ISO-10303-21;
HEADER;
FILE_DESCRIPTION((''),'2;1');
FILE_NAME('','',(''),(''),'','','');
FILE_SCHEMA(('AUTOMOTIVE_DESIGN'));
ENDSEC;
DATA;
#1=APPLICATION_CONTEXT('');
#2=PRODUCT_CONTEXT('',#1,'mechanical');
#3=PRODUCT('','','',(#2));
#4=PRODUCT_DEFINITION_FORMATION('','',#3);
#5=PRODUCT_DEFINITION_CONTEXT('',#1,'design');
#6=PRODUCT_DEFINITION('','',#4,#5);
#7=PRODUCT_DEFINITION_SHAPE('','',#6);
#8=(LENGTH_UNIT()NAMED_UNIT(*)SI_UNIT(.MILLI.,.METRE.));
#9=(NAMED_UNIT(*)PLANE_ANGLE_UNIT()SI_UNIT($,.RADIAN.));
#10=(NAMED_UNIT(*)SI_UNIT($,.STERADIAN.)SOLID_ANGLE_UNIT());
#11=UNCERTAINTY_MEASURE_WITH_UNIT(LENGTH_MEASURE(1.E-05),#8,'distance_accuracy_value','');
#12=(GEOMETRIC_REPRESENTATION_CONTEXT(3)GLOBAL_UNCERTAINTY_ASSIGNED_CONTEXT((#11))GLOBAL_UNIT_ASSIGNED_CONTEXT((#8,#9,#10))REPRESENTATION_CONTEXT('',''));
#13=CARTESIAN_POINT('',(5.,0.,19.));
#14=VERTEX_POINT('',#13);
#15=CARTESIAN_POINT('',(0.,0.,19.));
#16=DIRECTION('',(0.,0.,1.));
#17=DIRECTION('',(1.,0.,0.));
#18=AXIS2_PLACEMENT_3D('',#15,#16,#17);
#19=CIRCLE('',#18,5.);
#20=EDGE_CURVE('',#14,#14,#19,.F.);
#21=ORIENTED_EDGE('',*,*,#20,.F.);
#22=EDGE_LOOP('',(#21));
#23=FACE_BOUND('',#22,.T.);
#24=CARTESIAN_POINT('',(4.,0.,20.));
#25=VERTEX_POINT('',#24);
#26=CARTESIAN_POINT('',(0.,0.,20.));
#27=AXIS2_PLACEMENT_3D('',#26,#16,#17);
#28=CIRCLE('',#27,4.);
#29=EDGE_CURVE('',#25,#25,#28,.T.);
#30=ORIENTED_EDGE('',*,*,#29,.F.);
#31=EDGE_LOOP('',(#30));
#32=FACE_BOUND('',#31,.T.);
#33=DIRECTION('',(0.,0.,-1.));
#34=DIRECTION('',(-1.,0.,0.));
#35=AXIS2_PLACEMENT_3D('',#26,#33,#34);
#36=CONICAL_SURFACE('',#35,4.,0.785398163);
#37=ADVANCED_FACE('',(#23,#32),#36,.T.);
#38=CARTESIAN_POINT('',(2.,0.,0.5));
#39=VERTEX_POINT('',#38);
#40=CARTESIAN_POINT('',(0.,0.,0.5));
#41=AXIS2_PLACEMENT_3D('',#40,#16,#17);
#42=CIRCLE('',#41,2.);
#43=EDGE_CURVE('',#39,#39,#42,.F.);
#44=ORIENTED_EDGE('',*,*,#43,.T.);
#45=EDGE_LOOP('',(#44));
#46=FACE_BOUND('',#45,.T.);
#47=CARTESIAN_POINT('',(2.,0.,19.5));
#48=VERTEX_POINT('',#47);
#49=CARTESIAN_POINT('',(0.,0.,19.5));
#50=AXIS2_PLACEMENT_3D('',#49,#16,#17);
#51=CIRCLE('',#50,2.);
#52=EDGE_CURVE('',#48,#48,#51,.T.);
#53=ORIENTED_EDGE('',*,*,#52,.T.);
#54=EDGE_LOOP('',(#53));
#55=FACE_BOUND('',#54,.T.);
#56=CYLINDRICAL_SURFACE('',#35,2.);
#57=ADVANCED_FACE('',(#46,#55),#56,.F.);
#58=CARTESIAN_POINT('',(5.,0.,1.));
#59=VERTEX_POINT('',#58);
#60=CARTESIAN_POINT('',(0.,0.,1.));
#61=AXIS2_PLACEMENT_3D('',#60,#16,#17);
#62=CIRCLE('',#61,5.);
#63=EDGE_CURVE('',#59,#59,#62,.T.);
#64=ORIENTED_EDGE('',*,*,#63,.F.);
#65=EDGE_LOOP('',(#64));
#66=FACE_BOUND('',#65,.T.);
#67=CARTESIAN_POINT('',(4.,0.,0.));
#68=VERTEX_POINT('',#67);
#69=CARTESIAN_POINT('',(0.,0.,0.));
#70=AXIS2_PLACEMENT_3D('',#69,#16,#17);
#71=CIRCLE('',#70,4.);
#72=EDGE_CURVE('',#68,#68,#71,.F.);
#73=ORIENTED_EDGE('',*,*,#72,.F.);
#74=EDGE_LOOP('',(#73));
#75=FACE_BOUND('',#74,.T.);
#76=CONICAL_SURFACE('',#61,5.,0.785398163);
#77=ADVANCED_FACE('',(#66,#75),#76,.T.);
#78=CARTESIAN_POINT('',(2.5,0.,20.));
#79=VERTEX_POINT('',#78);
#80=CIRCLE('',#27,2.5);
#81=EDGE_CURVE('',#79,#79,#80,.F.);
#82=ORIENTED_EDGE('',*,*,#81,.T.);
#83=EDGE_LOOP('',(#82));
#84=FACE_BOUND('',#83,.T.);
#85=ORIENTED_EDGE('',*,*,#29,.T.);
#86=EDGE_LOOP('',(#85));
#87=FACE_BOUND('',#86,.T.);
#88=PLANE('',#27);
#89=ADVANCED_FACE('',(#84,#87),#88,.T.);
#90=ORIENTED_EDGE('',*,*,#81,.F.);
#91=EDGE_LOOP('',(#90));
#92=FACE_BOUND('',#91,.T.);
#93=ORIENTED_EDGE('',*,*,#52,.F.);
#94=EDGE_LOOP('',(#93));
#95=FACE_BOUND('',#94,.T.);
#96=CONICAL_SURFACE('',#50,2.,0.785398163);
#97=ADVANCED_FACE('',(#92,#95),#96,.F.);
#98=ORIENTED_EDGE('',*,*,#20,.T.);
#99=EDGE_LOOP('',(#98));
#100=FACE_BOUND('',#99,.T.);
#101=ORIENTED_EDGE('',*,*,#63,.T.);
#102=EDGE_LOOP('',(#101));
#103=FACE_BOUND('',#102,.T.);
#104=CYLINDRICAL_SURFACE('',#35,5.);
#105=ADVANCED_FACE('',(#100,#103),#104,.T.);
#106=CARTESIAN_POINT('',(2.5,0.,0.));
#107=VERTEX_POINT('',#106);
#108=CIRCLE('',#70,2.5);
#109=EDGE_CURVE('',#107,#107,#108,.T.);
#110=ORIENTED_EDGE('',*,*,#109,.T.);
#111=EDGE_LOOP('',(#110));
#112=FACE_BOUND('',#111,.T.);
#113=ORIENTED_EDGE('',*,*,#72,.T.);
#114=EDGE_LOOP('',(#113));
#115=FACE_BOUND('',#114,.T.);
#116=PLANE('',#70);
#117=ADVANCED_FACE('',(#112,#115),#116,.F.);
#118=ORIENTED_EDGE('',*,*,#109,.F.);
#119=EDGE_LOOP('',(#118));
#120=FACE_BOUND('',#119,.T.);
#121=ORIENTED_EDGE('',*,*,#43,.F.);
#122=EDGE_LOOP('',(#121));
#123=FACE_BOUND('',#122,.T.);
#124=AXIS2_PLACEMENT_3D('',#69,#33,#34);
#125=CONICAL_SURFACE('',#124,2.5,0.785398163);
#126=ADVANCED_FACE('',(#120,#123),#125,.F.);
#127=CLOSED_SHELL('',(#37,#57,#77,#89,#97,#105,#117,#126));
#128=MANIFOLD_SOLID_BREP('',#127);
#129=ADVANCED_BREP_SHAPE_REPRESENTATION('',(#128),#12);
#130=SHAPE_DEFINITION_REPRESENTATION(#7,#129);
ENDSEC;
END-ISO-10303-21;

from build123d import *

# Parameters (mm, degrees)
ESQUISSE1_R          = 5
ESQUISSE1_R_2        = 2
BASE_EXTRUSION_DEPTH = 20
CHANFREIN1_SIZE      = 1
CHANFREIN2_SIZE      = 0.5


with BuildPart() as part:
    # Esquisse1 → Base-Extrusion (new body)
    with BuildSketch(Plane.XY):
        Circle(ESQUISSE1_R)
        Circle(ESQUISSE1_R_2, mode=Mode.SUBTRACT)
    extrude(amount=BASE_EXTRUSION_DEPTH)

    # Chanfrein1
    chanfrein1_edges = [part.edges().sort_by_distance(p)[0] for p in [
        (-5, 0, 0),
        (-5, 0, 20),
    ]]
    chamfer(chanfrein1_edges, length=CHANFREIN1_SIZE)

    # Chanfrein2
    chanfrein2_edges = [part.edges().sort_by_distance(p)[0] for p in [
        (-2, 0, 0),
        (-2, 0, 20),
    ]]
    chamfer(chanfrein2_edges, length=CHANFREIN2_SIZE)


solid = part.part
